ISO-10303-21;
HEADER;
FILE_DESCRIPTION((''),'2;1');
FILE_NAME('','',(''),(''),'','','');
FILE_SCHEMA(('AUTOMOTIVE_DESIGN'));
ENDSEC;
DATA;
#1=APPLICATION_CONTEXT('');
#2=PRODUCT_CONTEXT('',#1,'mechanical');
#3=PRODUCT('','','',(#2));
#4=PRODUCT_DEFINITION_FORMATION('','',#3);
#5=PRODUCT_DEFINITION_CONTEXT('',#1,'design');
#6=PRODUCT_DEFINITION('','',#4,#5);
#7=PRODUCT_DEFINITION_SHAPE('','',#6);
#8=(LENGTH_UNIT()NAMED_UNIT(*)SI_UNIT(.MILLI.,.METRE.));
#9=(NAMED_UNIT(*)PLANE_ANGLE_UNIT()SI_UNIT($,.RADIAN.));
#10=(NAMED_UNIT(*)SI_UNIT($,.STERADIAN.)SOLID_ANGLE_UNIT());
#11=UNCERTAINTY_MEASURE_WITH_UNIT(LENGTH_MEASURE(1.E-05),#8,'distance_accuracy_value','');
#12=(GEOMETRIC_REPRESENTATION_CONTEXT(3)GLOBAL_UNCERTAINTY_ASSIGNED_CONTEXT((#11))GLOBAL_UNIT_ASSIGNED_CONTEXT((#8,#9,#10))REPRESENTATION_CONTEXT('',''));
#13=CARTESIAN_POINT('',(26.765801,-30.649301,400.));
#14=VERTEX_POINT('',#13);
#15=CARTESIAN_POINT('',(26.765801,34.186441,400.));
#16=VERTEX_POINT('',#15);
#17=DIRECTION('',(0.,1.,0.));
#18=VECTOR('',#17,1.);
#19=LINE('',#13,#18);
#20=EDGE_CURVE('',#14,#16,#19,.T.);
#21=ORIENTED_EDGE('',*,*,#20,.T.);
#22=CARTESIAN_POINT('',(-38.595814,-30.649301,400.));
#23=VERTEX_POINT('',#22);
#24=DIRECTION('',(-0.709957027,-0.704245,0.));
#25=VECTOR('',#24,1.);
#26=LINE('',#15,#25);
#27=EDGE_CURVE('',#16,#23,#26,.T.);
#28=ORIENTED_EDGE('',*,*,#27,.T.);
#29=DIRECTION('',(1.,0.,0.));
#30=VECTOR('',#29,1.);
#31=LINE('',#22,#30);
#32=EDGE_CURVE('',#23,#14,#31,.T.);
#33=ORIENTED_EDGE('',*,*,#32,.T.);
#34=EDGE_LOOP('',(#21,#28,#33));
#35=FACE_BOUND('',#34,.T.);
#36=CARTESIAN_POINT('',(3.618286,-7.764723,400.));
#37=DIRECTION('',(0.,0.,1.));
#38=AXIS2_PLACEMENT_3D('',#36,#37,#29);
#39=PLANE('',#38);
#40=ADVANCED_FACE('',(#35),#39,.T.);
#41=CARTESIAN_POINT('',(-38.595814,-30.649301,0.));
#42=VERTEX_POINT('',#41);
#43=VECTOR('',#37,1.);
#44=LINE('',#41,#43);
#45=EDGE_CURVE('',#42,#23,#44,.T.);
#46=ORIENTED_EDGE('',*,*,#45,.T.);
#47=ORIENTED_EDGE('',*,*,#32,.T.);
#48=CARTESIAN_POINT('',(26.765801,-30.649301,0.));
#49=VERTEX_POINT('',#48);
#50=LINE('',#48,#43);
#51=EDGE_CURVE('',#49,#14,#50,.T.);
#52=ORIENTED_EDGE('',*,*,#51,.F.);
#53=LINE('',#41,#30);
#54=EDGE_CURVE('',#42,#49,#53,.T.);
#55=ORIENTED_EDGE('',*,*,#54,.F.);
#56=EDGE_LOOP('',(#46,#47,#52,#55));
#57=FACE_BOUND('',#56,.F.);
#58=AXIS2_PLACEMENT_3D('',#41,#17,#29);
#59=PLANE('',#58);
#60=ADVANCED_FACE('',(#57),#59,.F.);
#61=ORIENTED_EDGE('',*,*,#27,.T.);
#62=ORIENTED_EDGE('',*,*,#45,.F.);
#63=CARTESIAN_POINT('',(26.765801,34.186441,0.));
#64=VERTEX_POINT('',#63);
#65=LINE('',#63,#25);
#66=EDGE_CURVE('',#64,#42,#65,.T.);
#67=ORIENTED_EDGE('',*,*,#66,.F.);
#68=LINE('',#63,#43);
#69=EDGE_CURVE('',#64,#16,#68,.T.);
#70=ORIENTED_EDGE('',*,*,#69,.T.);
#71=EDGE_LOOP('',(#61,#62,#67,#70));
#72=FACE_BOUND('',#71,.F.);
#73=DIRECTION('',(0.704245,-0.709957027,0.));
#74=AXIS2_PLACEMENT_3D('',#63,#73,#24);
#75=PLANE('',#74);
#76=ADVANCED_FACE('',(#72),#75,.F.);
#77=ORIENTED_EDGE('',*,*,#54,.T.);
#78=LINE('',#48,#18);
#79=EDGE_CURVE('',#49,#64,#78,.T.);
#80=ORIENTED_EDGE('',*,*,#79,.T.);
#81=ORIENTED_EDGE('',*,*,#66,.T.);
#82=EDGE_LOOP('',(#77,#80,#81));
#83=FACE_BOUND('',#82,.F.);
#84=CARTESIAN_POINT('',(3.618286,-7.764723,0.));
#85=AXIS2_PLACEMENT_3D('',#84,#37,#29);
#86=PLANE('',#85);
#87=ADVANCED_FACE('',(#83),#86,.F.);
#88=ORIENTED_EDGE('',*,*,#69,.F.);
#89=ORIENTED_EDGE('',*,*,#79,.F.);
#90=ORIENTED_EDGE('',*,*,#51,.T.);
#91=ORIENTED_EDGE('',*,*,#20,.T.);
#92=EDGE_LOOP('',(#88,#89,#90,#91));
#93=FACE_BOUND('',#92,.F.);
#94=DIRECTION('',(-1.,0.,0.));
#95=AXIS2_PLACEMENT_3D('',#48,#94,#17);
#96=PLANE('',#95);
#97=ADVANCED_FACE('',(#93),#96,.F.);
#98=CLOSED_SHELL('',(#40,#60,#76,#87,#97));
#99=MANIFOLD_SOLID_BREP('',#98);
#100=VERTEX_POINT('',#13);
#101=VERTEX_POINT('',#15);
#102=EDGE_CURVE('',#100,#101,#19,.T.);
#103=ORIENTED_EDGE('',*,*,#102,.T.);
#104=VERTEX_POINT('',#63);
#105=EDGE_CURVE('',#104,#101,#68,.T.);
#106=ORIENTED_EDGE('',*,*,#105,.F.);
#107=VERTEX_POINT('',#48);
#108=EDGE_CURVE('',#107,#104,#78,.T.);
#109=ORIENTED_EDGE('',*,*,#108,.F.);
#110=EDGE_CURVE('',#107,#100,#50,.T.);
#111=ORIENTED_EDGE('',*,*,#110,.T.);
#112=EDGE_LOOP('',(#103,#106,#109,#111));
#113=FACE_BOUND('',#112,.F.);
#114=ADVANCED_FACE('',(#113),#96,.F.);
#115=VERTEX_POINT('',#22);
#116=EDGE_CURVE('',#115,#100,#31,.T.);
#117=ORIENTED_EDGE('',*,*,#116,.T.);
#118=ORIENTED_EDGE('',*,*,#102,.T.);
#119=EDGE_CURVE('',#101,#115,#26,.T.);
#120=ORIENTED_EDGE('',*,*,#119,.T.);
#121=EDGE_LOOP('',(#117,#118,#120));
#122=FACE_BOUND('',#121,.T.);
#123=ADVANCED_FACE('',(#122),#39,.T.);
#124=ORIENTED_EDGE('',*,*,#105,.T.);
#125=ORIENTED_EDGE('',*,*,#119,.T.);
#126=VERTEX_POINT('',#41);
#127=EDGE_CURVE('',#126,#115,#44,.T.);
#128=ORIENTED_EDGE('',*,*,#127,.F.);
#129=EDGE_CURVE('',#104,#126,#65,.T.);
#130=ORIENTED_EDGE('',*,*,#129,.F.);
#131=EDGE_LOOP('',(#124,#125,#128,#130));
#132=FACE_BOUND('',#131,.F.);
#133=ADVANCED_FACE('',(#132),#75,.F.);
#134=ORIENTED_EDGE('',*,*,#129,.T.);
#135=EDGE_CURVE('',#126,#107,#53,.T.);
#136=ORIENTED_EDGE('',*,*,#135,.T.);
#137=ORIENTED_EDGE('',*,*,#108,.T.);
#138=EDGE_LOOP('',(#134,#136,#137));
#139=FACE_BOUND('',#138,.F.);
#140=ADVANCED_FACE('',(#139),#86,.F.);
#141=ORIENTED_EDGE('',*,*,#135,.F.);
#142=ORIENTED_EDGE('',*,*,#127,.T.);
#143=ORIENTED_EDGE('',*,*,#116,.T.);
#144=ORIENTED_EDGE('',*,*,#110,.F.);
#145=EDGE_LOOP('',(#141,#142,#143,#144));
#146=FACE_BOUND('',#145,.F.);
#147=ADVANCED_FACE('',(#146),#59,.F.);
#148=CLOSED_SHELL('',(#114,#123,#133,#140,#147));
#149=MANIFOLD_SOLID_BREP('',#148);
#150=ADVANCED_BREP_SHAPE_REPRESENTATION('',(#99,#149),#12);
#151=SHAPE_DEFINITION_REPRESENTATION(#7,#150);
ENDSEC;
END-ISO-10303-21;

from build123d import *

# Parameters (mm, degrees)
F2_DEPTH = 400


with BuildPart() as f2:
    # F1 (on face) → F2 (new body)
    with BuildSketch(Plane.XY):
        Polygon((26.7658010125, -30.6493006647), (26.7658010125, 34.1864414513), (-38.5958142579, -30.6493006647), align=None)
    extrude(amount=F2_DEPTH)


with BuildPart() as f2b:
    # F0 (on Top) → F2, piece 2 (new body)
    with BuildSketch(Plane.XY):
        Polygon((26.7658010125, 34.1864414513), (-38.5958142579, -30.6493006647), (26.7658010125, -30.6493006647), align=None)
    extrude(amount=F2_DEPTH)


solid = Compound([f2.part, f2b.part])
